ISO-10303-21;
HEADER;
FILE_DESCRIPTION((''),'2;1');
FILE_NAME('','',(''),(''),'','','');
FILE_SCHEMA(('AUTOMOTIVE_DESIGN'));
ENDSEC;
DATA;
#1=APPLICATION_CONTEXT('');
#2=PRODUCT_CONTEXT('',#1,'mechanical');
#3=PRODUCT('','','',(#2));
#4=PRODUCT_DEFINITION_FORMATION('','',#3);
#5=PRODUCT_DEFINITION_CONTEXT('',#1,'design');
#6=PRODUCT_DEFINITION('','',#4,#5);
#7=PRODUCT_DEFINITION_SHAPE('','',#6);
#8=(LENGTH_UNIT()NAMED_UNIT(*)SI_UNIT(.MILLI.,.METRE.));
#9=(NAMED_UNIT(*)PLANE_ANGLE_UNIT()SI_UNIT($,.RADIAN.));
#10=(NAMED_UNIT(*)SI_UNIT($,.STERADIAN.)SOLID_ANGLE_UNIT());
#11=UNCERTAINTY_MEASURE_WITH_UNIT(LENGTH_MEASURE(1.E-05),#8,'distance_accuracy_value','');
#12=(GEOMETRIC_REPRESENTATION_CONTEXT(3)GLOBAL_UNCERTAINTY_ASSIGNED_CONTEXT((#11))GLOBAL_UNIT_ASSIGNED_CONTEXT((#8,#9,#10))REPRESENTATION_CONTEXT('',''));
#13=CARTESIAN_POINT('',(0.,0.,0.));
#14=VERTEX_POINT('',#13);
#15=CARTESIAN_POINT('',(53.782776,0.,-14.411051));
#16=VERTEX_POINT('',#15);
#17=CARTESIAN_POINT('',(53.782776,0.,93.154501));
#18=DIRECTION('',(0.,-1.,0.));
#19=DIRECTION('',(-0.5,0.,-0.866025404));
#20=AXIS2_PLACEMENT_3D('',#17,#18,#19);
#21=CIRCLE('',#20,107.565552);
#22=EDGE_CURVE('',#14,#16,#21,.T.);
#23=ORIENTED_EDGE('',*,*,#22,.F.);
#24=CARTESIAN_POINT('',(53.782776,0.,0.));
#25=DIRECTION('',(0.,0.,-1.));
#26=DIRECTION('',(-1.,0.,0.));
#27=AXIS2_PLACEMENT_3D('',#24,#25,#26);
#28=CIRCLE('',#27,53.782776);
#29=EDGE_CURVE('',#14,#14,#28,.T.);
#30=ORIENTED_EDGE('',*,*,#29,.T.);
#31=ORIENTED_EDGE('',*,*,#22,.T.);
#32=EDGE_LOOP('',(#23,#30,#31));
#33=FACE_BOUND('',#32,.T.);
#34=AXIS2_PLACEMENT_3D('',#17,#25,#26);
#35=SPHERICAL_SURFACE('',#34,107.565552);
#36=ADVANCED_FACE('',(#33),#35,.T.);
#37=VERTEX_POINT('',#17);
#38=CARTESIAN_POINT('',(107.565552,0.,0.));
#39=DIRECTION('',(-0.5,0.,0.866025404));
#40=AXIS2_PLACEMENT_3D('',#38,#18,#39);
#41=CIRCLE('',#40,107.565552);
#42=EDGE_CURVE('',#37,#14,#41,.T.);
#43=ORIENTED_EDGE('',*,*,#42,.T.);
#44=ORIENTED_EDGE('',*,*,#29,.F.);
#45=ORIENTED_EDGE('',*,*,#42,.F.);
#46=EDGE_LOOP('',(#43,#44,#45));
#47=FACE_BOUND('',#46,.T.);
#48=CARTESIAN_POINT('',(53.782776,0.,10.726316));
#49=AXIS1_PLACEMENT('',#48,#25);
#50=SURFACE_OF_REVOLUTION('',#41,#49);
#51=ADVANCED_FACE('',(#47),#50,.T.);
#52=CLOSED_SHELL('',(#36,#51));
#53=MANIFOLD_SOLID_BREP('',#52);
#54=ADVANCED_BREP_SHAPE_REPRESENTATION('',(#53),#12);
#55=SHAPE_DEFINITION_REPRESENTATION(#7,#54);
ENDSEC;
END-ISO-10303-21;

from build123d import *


with BuildPart() as f1:
    # F0 (on Front) → F1 (revolve)
    with BuildSketch(Plane.XZ):
        with BuildLine():
            ThreePointArc((53.7827759981, 93.1545006008), (14.4110513954, 53.7827759981), (0, 0))
            Line((0, 0), (53.7827759981, 93.1545006008))
        make_face()
        Polygon((53.7827759981, 93.1545006008), (0, 0), (53.7827759981, 0), align=None)
        with BuildLine():
            Line((53.7827759981, 0), (0, 0))
            ThreePointArc((0, 0), (25.9427625445, -10.7458440914), (53.7827759981, -14.4110513954))
            Line((53.7827759981, -14.4110513954), (53.7827759981, 0))
        make_face()
    revolve(axis=Axis((53.7827759981, 0, 10.7263156161), (0, 0, -1)))


solid = f1.part
